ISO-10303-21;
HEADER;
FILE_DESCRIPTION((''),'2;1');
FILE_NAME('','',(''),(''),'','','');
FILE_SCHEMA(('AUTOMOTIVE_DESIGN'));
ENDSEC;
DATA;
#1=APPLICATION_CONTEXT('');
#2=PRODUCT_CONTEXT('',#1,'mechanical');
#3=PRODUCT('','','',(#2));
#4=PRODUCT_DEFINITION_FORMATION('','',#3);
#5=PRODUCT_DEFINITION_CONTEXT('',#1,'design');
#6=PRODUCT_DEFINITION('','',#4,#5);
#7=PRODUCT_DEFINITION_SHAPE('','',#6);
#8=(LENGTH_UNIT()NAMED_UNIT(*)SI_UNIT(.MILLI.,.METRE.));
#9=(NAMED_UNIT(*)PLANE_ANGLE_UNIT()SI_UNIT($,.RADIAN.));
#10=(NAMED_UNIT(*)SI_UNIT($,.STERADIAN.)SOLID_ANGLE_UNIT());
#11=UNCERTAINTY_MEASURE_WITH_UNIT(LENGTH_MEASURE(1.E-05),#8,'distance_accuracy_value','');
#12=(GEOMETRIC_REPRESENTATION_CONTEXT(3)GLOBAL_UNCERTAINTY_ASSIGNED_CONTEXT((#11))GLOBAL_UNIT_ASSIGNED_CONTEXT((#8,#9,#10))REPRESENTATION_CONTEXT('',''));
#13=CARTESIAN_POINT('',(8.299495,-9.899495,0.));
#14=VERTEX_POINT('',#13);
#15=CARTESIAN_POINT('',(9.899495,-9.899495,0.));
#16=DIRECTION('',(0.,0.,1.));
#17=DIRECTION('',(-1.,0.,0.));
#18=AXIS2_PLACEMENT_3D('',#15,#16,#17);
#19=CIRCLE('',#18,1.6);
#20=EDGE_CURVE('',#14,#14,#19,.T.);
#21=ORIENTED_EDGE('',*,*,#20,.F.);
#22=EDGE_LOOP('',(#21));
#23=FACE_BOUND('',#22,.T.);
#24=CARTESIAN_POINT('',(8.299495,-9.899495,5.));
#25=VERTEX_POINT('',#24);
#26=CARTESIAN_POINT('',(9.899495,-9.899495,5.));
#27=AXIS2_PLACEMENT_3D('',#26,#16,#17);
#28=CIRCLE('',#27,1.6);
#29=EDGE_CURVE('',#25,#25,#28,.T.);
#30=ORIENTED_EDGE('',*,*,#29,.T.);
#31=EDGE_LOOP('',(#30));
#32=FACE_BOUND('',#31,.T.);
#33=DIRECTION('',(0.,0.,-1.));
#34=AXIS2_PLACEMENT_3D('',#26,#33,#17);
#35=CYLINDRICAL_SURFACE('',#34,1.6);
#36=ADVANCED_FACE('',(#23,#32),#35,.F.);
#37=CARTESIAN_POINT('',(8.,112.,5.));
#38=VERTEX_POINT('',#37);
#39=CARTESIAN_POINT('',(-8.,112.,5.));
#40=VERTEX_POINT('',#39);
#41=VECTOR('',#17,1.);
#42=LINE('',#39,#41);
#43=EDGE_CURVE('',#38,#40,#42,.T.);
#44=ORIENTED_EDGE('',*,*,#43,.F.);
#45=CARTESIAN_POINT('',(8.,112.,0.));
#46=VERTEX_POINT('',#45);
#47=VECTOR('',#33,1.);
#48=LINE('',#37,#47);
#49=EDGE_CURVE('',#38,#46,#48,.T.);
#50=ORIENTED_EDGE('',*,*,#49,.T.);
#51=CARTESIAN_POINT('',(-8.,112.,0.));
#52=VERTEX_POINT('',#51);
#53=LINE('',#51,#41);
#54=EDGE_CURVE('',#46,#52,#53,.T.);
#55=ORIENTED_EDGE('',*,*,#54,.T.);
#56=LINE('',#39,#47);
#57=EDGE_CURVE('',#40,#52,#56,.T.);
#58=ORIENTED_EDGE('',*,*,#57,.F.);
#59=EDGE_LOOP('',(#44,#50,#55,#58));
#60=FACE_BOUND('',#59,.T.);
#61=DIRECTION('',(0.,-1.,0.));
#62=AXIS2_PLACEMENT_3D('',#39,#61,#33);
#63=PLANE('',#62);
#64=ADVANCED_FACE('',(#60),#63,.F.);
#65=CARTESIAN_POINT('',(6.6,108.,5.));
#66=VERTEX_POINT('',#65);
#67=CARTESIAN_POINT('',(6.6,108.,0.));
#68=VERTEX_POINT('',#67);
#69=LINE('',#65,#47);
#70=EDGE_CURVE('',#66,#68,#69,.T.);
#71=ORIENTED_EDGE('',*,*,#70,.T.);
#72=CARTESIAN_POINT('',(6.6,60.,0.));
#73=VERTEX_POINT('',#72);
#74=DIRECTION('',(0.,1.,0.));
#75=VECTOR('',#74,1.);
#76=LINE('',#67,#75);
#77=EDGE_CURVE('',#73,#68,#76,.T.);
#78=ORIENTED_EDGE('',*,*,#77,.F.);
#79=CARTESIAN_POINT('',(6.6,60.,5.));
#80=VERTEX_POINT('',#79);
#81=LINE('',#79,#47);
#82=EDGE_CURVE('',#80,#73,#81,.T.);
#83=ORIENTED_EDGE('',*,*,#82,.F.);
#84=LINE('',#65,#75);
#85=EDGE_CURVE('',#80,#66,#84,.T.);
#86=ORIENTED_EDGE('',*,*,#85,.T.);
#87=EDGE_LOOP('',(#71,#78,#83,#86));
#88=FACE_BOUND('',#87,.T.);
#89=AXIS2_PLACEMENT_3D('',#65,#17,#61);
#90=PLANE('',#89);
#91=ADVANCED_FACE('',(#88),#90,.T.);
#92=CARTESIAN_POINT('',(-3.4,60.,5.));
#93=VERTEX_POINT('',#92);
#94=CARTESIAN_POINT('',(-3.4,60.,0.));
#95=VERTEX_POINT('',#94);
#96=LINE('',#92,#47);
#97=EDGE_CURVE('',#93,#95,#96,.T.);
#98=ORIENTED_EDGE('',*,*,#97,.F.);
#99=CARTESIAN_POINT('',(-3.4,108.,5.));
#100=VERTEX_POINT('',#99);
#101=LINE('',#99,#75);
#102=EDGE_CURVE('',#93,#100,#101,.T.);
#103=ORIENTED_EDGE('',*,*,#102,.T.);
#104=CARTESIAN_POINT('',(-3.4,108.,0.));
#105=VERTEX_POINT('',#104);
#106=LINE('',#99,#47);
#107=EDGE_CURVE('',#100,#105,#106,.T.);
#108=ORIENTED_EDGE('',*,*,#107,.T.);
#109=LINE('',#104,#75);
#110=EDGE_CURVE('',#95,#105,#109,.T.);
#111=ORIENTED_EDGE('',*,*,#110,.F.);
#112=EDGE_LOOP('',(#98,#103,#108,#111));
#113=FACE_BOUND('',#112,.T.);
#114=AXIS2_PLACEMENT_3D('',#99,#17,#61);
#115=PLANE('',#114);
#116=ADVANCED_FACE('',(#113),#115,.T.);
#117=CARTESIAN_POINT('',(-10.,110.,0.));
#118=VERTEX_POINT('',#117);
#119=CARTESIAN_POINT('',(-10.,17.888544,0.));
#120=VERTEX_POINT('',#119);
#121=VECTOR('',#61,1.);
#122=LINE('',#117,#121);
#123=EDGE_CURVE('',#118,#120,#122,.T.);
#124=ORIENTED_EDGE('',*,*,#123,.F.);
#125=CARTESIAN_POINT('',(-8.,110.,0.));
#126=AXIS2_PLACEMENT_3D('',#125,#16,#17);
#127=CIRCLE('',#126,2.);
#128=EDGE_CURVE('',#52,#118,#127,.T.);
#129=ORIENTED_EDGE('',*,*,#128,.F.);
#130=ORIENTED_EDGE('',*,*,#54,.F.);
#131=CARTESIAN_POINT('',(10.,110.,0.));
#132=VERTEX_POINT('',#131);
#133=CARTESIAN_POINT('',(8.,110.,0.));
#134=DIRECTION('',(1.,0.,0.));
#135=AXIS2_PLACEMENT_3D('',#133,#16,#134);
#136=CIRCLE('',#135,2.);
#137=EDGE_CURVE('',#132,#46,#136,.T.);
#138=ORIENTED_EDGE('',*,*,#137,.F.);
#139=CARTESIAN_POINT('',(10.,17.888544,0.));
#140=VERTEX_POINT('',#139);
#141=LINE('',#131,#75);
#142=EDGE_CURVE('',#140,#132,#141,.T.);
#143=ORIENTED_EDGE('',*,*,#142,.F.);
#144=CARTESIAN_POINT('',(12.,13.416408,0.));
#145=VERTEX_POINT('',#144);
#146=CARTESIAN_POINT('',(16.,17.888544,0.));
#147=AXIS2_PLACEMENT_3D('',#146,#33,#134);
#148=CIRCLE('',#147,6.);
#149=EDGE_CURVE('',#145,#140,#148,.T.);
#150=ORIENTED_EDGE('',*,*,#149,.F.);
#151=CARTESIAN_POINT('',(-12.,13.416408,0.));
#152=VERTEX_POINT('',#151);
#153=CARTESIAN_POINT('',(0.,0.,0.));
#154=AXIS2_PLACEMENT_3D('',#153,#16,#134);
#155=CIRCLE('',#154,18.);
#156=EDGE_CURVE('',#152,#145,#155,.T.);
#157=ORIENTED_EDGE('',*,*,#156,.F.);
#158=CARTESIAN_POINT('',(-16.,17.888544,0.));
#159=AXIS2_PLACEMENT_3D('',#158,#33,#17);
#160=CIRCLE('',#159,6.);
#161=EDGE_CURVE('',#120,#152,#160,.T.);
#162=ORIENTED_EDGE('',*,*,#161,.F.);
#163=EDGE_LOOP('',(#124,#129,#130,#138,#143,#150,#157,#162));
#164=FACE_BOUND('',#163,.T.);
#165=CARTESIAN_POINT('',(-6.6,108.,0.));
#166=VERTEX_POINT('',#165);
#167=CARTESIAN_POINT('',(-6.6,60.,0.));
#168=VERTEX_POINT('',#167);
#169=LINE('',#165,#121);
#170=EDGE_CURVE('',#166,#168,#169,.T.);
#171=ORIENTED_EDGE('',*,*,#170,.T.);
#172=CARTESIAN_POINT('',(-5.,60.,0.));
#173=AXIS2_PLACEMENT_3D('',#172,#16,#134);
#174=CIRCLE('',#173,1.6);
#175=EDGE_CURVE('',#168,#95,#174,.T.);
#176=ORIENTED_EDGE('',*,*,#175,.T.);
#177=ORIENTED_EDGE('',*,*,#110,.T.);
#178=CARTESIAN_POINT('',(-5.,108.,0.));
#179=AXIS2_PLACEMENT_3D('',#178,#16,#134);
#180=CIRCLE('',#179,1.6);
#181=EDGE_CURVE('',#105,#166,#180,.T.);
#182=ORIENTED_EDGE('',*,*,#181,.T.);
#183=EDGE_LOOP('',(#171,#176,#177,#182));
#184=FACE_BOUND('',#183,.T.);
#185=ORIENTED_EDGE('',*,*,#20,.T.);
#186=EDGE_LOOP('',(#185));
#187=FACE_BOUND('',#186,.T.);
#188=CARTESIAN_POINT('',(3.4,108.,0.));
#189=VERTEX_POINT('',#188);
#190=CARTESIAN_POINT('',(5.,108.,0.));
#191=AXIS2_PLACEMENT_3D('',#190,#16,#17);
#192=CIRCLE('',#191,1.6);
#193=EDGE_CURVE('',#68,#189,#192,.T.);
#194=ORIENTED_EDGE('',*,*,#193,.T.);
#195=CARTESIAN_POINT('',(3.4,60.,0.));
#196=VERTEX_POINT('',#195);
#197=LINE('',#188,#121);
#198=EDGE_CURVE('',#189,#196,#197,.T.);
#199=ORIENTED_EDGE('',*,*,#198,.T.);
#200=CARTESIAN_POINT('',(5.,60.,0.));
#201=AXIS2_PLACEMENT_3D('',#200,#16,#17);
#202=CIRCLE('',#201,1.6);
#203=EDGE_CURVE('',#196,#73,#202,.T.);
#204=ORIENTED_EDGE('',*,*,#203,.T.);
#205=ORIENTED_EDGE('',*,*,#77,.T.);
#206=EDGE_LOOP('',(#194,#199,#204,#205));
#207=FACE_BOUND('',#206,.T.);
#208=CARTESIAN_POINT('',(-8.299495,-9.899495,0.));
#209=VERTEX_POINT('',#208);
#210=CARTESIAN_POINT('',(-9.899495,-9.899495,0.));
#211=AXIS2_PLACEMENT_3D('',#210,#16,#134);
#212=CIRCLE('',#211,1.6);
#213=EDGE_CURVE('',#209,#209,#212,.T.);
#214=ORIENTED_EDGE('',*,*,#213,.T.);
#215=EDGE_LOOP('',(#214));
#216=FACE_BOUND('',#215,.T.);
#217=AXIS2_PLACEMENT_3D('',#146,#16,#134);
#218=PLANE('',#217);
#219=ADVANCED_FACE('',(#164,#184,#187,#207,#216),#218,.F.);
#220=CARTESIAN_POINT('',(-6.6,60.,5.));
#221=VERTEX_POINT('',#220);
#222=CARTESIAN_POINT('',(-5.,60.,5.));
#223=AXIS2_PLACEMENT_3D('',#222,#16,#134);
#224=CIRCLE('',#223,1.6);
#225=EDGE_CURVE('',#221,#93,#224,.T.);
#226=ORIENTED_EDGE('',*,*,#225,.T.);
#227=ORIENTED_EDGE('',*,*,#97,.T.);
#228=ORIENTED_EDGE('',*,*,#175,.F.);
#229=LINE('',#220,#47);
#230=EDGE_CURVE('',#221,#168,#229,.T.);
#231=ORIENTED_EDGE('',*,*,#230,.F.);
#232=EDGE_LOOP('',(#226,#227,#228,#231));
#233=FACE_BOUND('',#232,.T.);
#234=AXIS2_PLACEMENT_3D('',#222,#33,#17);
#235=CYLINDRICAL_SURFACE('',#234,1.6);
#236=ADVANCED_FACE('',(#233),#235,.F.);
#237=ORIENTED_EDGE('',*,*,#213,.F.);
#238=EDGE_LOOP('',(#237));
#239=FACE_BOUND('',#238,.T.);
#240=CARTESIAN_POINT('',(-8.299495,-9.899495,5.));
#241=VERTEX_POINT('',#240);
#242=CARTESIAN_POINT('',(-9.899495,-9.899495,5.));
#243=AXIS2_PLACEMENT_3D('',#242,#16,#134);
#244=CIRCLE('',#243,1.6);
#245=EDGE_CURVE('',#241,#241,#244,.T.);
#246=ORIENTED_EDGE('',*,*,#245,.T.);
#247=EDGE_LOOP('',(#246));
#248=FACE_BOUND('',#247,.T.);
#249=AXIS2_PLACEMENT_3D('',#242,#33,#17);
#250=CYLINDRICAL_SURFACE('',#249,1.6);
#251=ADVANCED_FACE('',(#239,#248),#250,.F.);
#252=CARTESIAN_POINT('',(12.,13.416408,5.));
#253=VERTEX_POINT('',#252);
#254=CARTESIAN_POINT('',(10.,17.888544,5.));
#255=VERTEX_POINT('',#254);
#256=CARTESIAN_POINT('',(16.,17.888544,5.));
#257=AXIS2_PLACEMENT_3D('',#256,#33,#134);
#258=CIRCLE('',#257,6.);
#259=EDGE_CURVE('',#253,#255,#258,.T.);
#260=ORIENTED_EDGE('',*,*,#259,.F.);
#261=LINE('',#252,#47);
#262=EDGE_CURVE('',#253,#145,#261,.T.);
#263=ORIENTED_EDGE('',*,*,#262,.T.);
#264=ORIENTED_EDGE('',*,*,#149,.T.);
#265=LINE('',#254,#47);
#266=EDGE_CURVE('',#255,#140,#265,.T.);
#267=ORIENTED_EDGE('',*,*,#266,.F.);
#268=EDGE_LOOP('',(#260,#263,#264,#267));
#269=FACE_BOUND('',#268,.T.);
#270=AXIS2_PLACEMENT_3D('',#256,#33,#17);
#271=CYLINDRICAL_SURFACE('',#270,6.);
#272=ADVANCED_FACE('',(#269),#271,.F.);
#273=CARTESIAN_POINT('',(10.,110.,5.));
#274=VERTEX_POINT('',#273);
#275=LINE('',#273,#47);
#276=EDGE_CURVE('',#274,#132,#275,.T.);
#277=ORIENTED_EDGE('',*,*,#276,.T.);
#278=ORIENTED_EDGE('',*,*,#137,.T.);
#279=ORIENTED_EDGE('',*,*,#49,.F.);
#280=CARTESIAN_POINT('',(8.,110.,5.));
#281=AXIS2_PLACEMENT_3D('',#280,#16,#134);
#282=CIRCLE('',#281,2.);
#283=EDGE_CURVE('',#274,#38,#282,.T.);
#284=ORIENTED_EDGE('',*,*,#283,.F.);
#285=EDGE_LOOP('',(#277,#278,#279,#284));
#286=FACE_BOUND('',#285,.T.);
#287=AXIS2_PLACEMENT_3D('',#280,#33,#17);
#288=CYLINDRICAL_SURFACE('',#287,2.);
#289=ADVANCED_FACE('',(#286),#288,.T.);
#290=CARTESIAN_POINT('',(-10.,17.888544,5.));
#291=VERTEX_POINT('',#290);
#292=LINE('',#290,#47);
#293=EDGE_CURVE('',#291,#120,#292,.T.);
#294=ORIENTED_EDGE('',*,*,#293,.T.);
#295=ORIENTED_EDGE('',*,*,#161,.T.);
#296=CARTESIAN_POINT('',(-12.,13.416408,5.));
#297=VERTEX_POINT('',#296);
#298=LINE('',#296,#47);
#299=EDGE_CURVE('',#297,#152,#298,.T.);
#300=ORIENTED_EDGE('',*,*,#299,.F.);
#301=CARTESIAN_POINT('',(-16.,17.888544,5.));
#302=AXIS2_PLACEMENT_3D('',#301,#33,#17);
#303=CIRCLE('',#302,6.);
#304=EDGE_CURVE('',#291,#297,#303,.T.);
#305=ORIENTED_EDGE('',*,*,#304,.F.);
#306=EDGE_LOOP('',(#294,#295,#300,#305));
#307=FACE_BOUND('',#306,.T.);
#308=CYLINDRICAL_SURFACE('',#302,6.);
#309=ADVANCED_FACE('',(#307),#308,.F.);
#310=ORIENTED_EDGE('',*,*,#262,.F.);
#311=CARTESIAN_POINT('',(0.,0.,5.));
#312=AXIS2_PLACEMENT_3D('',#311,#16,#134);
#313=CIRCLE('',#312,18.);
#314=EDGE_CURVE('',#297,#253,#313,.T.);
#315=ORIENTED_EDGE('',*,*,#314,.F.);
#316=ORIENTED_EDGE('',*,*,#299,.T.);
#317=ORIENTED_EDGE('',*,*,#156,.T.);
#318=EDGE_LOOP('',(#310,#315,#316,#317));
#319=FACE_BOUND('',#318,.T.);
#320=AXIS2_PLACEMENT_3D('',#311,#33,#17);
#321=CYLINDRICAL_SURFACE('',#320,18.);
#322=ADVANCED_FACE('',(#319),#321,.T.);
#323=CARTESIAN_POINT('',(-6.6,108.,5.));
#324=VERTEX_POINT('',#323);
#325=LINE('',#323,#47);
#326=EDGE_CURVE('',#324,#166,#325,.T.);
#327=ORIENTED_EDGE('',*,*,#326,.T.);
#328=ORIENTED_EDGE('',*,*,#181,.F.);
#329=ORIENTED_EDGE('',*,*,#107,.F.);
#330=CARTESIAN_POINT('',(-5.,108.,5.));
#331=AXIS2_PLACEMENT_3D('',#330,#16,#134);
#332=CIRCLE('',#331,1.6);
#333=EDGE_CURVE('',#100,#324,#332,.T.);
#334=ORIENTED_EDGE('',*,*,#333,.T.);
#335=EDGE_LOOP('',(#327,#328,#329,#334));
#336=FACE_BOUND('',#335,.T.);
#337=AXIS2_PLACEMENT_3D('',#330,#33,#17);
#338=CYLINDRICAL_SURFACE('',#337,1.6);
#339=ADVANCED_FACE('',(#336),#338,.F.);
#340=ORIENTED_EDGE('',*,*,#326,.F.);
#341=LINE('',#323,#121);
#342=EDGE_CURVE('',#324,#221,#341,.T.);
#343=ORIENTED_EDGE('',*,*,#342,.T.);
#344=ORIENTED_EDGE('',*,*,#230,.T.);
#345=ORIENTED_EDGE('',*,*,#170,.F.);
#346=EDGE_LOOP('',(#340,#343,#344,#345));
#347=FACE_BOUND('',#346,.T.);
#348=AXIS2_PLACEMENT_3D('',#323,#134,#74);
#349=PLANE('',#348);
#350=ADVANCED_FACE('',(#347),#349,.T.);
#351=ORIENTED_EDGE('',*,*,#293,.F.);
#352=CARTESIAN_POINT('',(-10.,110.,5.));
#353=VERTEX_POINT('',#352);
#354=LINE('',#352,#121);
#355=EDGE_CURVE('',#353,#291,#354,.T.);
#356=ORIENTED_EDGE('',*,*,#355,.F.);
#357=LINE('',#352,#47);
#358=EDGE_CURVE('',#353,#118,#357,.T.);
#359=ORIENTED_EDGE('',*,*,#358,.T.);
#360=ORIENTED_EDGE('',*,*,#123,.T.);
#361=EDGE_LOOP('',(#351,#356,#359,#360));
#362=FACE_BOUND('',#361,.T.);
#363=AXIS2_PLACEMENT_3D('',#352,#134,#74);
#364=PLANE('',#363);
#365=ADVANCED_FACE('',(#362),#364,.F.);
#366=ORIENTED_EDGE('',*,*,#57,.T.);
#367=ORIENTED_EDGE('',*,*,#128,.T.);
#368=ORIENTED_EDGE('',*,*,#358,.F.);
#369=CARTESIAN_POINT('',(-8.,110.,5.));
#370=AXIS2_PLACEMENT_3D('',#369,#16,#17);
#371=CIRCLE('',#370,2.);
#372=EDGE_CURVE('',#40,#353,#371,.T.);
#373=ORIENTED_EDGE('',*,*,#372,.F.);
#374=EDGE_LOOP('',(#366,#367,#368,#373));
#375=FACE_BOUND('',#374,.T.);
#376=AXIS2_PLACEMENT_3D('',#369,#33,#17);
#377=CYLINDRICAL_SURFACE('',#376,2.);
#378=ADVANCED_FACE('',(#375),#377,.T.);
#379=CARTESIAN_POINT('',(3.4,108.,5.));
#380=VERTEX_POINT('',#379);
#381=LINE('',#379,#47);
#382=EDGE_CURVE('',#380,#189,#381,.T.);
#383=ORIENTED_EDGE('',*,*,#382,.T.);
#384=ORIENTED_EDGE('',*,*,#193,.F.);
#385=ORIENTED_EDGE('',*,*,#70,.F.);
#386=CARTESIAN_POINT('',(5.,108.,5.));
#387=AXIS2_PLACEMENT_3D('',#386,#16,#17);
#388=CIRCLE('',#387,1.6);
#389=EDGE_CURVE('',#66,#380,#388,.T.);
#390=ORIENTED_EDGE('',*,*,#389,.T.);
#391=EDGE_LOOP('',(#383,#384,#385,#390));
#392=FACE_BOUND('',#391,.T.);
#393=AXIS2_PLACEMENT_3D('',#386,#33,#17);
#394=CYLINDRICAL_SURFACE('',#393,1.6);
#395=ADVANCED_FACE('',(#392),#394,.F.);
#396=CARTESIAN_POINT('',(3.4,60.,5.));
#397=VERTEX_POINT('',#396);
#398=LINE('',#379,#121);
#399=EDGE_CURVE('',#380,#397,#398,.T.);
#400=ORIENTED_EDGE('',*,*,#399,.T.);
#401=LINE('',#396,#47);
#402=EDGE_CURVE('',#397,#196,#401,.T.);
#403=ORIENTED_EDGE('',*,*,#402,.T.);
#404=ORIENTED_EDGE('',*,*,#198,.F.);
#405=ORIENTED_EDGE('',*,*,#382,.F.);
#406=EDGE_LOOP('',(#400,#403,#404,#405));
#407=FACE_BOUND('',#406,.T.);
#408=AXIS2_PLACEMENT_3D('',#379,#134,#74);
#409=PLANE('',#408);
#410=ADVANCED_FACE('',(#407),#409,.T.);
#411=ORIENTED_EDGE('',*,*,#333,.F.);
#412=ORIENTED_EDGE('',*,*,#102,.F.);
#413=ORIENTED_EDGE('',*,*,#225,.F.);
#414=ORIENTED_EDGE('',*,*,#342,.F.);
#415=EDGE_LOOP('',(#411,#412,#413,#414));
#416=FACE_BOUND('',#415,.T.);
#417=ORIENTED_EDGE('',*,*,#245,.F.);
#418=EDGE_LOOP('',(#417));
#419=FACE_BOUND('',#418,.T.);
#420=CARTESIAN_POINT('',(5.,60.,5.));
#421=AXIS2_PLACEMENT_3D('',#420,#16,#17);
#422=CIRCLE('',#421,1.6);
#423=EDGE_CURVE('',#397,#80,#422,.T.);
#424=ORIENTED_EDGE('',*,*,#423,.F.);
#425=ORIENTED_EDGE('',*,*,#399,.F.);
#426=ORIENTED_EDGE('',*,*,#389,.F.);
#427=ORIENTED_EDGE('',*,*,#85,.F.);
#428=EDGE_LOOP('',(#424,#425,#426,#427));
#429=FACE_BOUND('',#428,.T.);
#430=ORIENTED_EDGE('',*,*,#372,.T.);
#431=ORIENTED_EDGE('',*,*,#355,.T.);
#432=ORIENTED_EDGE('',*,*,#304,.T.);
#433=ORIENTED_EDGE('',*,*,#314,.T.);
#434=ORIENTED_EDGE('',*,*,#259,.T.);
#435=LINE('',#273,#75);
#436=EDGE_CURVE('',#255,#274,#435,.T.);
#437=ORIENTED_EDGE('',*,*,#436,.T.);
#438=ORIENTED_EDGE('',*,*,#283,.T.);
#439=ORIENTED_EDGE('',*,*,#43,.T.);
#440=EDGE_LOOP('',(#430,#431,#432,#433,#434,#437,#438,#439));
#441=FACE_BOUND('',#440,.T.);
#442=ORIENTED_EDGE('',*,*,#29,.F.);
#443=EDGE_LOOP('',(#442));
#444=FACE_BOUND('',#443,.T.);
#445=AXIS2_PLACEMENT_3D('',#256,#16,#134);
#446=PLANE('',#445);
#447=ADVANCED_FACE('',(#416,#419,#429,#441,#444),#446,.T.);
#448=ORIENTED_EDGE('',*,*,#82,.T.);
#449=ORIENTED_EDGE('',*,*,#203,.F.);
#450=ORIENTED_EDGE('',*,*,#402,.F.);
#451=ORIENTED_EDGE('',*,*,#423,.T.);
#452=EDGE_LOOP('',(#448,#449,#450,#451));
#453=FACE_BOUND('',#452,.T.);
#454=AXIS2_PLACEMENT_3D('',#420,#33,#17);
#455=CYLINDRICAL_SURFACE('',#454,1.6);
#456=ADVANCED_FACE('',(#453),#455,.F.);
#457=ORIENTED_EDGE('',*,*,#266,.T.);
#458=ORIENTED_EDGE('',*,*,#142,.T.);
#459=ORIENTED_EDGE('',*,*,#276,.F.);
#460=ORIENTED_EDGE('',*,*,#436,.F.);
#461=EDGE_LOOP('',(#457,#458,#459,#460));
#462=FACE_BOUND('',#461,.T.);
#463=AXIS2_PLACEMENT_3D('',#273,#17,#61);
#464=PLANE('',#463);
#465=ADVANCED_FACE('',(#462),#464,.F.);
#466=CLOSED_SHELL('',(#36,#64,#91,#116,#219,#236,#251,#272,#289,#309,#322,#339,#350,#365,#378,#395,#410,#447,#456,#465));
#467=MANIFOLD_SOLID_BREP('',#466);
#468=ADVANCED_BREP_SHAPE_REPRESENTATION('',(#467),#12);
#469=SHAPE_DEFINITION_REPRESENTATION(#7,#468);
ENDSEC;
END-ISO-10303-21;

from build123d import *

# Parameters (mm, degrees)
SKETCH_1_R      = 1.6
EXTRUDE_1_DEPTH = 5


with BuildPart() as part:
    # 草图1 → 凸台-拉伸1 (new body)
    with BuildSketch(Plane.XY):
        with BuildLine():
            Line((-10, 110), (-10, 17.88854382))
            ThreePointArc((-10, 17.88854382), (-10.522774425, 15.439054077), (-12, 13.416407865))
            ThreePointArc((-12, 13.416407865), (0, -18), (12, 13.416407865))
            ThreePointArc((12, 13.416407865), (10.522774425, 15.439054077), (10, 17.88854382))
            Line((10, 17.88854382), (10, 110))
            ThreePointArc((10, 110), (9.414213562, 111.414213562), (8, 112))
            Line((8, 112), (-8, 112))
            ThreePointArc((-8, 112), (-9.414213562, 111.414213562), (-10, 110))
        make_face()
        with Locations((-9.899494937, -9.899494937)):
            Circle(SKETCH_1_R, mode=Mode.SUBTRACT)
        with Locations(Location((9.899494937, -9.899494937, 0), (0, 0, 180))):
            Circle(SKETCH_1_R, mode=Mode.SUBTRACT)
        with BuildLine():
            Line((-3.4, 108), (-3.4, 60))
            ThreePointArc((-3.4, 60), (-5, 58.4), (-6.6, 60))
            Line((-6.6, 60), (-6.6, 108))
            ThreePointArc((-6.6, 108), (-5, 109.6), (-3.4, 108))
        make_face(mode=Mode.SUBTRACT)
        with BuildLine():
            Line((3.4, 108), (3.4, 60))
            ThreePointArc((3.4, 60), (5, 58.4), (6.6, 60))
            Line((6.6, 60), (6.6, 108))
            ThreePointArc((6.6, 108), (5, 109.6), (3.4, 108))
        make_face(mode=Mode.SUBTRACT)
    extrude(amount=EXTRUDE_1_DEPTH)


solid = part.part
